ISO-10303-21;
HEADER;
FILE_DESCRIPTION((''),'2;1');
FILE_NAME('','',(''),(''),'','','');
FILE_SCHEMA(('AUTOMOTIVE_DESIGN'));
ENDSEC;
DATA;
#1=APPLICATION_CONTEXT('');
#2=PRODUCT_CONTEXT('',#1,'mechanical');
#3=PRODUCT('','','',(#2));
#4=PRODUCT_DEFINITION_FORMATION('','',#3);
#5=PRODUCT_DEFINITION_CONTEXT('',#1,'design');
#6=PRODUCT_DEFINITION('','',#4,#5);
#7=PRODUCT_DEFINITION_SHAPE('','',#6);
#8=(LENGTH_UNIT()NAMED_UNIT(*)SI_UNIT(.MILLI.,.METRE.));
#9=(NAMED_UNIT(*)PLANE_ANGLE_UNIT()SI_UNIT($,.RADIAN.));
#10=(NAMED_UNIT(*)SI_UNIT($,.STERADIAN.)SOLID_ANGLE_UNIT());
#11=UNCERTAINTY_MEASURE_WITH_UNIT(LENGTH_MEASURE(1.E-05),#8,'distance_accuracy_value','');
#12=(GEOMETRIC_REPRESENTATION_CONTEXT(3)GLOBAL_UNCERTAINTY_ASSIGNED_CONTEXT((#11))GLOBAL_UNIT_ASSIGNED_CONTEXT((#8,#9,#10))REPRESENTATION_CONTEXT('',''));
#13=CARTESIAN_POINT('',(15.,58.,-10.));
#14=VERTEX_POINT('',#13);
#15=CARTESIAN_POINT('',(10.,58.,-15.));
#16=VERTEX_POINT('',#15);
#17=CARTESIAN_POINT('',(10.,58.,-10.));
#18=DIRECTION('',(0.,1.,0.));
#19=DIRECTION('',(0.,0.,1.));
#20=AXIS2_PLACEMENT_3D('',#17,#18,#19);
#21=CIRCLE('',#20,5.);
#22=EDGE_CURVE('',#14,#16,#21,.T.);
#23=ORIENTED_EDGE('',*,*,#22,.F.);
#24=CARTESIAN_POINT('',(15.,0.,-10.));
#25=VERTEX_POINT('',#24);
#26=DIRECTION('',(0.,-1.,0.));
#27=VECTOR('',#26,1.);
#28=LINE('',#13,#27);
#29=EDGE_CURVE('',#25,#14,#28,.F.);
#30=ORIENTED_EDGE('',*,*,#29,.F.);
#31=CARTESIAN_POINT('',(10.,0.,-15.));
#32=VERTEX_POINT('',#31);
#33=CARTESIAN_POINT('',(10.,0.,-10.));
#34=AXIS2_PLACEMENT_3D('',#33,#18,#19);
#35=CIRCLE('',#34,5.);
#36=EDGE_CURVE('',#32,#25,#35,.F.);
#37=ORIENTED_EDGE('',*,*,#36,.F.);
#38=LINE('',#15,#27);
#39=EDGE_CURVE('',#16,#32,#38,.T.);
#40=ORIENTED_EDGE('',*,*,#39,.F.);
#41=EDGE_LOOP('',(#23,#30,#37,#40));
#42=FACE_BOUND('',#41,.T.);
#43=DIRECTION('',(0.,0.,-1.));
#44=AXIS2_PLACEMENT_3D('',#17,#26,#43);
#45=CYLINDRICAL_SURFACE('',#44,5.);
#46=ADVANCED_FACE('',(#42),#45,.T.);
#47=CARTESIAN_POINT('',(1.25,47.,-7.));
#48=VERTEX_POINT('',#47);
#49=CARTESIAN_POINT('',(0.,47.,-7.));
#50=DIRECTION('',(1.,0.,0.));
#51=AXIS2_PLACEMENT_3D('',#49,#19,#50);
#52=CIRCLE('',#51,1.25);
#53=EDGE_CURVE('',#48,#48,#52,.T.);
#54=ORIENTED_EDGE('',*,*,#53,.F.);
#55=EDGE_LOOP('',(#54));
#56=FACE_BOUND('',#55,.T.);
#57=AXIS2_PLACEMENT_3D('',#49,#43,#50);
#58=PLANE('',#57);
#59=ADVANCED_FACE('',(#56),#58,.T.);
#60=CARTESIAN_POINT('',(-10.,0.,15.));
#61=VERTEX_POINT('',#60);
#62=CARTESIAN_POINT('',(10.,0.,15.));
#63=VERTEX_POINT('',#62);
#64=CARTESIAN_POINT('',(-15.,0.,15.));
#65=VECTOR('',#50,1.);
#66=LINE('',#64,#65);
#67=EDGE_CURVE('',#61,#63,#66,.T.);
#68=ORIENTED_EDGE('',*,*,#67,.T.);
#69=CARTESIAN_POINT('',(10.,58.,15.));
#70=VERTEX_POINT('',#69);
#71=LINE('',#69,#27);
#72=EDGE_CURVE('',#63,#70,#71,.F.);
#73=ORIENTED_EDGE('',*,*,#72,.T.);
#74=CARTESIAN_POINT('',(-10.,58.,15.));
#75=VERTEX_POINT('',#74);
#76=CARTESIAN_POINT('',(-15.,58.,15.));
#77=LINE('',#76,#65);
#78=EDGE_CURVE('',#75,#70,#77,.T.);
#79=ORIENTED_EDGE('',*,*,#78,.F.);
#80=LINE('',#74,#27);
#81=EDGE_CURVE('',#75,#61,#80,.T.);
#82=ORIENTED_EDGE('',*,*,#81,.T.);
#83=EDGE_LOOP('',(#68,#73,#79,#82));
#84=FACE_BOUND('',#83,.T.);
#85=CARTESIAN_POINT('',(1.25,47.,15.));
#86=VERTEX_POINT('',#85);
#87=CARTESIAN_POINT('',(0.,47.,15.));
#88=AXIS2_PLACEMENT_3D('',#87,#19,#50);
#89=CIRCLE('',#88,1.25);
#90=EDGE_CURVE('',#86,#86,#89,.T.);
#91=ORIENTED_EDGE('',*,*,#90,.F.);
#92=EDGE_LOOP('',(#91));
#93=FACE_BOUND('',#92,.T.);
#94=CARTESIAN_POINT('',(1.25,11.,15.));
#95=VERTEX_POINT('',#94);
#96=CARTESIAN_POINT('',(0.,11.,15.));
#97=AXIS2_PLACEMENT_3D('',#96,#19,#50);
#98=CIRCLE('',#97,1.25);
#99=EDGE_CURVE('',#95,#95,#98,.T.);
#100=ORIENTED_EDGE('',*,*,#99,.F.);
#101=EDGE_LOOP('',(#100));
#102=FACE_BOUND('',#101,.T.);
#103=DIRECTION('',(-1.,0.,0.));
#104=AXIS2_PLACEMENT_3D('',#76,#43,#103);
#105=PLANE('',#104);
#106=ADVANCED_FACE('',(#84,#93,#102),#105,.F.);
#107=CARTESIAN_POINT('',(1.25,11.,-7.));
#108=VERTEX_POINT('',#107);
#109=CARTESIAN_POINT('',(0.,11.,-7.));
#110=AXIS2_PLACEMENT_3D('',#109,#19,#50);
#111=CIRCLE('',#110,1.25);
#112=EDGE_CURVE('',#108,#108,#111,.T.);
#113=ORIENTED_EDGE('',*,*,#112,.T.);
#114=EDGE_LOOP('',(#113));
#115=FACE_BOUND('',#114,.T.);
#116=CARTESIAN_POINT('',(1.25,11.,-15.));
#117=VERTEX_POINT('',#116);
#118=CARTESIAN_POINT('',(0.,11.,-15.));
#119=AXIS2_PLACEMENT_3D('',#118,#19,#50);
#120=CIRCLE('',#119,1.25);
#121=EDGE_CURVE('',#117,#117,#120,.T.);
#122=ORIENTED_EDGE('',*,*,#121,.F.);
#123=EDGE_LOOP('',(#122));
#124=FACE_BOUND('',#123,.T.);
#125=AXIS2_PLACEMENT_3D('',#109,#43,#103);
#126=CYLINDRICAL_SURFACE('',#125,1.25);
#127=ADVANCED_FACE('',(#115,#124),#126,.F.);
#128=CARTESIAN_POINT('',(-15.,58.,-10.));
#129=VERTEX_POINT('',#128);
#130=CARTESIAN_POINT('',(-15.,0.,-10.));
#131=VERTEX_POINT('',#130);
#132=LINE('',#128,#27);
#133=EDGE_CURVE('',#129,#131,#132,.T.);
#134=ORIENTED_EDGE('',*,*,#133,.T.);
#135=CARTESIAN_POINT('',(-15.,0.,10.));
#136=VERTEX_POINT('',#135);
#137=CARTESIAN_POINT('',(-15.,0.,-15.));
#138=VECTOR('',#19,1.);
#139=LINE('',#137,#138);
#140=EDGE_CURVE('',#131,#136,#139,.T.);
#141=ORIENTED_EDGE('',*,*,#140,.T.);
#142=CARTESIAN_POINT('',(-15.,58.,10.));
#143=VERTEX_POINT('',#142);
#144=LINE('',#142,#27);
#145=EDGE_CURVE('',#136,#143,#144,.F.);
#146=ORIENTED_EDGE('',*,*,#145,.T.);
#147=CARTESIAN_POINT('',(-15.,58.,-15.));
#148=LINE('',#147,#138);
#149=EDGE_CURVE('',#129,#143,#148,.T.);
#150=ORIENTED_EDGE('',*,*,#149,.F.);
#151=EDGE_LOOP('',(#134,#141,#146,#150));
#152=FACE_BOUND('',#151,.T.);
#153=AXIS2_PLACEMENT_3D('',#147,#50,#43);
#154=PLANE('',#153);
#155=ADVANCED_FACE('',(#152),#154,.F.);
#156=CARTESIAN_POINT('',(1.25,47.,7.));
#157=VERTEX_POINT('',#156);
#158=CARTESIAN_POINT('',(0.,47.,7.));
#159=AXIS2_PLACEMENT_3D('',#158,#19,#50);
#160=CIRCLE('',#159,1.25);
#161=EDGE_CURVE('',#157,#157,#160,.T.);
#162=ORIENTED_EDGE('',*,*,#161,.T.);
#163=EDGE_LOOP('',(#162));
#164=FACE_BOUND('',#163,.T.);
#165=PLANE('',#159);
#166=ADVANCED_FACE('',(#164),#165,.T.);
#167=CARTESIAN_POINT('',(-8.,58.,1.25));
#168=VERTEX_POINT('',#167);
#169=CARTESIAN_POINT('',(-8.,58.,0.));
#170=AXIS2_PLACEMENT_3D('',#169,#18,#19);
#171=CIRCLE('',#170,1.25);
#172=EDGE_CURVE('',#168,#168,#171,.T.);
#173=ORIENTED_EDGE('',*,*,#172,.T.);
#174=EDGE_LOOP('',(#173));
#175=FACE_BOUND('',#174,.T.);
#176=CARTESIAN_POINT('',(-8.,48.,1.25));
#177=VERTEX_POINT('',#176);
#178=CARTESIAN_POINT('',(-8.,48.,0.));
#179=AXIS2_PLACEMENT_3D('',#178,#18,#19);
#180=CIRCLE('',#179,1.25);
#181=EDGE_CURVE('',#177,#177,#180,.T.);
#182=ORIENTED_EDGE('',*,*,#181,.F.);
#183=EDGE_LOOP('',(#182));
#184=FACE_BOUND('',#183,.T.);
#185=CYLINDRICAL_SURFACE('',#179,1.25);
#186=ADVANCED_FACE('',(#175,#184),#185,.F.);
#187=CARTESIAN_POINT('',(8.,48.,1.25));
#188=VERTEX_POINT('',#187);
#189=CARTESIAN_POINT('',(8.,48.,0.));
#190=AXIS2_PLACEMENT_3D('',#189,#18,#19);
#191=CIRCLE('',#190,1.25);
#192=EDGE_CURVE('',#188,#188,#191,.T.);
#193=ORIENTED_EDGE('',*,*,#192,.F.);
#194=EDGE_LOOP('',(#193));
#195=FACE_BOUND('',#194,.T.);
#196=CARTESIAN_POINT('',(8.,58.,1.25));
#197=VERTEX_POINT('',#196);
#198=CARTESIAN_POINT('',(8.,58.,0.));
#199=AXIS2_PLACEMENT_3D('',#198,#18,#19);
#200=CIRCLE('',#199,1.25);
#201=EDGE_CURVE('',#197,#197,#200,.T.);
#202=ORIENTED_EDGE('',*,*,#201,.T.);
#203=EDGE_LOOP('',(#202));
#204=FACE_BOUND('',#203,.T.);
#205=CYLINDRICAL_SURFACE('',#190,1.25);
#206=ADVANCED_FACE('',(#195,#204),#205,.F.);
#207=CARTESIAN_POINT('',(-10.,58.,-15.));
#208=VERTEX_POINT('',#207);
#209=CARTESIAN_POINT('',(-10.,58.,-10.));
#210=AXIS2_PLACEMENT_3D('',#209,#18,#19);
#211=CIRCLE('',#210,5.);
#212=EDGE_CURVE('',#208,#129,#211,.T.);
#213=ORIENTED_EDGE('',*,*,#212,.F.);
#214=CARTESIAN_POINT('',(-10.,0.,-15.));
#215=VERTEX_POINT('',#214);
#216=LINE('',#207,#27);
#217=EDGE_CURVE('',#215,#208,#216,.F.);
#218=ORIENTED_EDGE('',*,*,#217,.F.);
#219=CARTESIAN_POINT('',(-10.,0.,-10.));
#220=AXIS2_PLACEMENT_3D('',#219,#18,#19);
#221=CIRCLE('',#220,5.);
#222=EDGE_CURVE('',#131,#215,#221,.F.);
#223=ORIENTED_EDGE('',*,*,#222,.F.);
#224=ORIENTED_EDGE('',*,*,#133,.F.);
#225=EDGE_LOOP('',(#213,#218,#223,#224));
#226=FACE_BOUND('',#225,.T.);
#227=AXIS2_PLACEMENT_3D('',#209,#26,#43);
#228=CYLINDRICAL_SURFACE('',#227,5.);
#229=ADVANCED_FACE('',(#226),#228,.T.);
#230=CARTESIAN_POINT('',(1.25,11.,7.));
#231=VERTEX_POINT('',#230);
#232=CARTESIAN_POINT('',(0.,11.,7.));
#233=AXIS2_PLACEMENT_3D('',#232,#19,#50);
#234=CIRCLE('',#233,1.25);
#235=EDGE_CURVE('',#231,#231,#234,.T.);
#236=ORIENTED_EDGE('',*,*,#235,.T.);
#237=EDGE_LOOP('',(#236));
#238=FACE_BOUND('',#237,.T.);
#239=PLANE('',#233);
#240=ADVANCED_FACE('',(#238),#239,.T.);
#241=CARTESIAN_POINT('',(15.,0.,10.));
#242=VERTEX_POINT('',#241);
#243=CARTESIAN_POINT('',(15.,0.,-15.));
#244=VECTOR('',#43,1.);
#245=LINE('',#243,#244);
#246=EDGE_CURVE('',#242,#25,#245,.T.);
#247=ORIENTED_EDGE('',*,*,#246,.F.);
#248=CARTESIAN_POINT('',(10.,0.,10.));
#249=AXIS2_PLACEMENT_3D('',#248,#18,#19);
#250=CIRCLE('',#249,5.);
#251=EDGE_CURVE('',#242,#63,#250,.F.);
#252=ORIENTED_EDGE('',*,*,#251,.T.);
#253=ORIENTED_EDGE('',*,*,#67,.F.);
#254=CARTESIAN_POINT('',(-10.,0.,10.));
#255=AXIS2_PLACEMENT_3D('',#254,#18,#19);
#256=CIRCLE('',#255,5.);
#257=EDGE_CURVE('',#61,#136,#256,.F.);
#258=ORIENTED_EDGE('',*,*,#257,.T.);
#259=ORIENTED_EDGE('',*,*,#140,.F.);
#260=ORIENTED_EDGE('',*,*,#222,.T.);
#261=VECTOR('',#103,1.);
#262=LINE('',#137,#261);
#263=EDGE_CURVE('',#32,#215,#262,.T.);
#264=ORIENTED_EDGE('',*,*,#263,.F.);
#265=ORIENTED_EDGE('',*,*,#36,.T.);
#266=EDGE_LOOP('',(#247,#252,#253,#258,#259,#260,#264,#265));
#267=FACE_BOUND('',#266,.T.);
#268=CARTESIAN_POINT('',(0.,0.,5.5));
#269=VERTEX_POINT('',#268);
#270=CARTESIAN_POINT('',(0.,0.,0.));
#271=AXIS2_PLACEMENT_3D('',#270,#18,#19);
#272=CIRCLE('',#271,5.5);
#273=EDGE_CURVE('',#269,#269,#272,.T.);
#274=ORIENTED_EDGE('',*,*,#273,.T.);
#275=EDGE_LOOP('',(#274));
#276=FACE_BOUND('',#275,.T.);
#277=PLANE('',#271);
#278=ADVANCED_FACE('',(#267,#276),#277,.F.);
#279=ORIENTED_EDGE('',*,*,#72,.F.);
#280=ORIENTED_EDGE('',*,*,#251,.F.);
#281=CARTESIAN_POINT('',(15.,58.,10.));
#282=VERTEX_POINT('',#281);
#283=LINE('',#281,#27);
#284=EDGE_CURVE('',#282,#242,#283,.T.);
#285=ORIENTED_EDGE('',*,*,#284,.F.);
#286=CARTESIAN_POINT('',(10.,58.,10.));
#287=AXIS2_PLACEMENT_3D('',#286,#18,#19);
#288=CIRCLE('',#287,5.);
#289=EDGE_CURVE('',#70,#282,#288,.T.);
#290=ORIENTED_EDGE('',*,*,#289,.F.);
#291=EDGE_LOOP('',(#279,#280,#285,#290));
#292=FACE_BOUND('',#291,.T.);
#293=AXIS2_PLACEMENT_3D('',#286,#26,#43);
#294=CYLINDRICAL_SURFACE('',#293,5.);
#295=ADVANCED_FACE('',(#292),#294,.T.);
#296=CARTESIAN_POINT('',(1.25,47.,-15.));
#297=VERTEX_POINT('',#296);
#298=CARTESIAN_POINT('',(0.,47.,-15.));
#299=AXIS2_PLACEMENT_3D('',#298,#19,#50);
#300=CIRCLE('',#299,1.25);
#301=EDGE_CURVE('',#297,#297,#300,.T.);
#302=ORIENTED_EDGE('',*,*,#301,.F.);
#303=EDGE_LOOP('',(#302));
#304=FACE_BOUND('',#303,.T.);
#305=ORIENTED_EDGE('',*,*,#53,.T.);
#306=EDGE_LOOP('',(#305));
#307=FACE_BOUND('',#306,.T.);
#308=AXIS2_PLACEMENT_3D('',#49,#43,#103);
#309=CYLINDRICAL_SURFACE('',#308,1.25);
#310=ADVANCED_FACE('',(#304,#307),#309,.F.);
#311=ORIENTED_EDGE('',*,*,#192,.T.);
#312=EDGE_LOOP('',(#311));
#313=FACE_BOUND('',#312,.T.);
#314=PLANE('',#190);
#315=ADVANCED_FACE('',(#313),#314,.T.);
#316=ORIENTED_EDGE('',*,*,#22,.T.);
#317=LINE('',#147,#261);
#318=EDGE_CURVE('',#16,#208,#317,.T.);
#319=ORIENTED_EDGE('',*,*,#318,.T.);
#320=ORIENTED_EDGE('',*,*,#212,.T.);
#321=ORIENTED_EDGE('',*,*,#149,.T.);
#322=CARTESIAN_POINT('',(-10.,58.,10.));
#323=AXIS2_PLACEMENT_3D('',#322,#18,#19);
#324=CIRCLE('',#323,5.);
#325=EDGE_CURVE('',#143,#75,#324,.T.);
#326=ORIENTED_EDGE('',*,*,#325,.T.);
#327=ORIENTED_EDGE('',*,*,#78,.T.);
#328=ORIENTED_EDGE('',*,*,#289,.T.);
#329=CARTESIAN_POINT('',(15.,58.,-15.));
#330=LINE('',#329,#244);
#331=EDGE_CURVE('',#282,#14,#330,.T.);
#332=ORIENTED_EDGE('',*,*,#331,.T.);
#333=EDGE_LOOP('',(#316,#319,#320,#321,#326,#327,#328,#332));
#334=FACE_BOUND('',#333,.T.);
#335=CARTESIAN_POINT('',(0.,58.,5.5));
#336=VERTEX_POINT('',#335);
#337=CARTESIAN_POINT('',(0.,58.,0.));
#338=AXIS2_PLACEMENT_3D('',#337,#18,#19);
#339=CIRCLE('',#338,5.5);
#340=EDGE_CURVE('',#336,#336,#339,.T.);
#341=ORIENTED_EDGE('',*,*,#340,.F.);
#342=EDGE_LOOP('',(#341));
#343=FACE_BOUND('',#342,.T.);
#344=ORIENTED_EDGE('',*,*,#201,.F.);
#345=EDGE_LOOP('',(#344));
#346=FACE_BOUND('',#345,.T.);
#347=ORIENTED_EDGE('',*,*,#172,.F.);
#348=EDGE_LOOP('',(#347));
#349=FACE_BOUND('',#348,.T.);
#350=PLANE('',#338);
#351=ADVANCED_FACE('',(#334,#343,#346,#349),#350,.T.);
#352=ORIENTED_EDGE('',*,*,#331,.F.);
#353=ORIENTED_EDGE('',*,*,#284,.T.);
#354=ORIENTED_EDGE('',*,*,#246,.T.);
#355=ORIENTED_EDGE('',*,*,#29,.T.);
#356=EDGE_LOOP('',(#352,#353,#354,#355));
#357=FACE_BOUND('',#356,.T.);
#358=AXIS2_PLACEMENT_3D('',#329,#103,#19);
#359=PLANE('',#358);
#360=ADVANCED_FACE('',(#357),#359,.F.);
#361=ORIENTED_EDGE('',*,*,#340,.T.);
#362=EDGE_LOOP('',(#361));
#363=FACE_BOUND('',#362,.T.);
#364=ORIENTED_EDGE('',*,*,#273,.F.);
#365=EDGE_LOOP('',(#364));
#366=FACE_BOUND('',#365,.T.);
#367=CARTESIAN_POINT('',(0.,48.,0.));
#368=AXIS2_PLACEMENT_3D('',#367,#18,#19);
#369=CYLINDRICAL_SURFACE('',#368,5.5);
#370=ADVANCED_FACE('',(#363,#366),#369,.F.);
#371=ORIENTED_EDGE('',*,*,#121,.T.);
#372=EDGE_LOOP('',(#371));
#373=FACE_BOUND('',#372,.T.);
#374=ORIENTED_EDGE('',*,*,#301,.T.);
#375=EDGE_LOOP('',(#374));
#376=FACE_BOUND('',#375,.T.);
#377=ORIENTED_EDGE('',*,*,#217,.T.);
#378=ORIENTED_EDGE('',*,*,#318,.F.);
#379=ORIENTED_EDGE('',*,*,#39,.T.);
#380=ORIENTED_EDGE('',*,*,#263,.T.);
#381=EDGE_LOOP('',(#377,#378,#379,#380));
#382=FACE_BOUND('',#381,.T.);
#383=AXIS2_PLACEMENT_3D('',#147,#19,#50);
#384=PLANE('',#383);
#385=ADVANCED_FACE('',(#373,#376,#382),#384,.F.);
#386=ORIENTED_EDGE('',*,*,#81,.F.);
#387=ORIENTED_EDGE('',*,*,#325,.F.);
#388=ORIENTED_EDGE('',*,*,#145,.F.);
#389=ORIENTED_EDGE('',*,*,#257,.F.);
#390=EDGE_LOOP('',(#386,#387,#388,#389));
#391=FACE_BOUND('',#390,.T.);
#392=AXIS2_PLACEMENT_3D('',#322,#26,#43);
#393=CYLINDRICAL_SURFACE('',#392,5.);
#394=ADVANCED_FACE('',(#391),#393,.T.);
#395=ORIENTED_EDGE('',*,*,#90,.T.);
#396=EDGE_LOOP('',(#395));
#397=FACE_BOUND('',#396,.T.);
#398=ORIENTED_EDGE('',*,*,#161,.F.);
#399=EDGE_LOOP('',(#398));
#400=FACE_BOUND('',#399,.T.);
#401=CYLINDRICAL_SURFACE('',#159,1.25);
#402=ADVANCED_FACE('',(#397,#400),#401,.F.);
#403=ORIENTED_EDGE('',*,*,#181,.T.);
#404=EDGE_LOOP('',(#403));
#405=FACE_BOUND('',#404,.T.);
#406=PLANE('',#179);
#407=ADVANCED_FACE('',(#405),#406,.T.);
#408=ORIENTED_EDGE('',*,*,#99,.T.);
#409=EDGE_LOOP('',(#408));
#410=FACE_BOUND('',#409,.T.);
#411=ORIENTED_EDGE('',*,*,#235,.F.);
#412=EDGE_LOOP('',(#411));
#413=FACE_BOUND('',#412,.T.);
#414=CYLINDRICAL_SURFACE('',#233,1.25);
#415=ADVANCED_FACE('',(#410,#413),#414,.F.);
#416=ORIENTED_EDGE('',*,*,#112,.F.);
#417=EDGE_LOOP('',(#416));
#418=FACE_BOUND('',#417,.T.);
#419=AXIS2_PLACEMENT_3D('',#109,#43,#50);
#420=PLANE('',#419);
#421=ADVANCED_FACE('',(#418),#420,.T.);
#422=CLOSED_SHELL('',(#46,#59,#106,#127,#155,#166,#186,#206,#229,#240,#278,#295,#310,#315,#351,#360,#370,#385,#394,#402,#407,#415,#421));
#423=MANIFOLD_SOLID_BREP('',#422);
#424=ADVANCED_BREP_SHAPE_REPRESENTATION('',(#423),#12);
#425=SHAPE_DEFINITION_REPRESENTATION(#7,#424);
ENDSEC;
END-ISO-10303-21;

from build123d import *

# Parameters (mm, degrees)
SKETCH1_W           = 30
SKETCH1_H           = 30
BOSS_EXTRUDE1_DEPTH = 58
SKETCH2_R           = 5.5
SKETCH2_R_2         = 1.25
CUT_EXTRUDE1_DEPTH  = 10
SKETCH3_R           = 5.5
CUT_EXTRUDE2_DEPTH  = 49
SKETCH4_R           = 1.25
CUT_EXTRUDE3_DEPTH  = 8
FILLET1_R           = 5


with BuildPart() as part:
    # Sketch1 → Boss-Extrude1 (new body)
    with BuildSketch(Plane(origin=(0, 0, 0), x_dir=(1, 0, 0), z_dir=(0, 1, 0))):
        Rectangle(SKETCH1_W, SKETCH1_H)
    extrude(amount=BOSS_EXTRUDE1_DEPTH)

    # Sketch2 → Cut-Extrude1 (cut)
    with BuildSketch(Plane(origin=(0, 58, 0), x_dir=(1, 0, 0), z_dir=(0, 1, 0))):
        Circle(SKETCH2_R)
        with Locations((8, 0)):
            Circle(SKETCH2_R_2)
        with Locations((-8, 0)):
            Circle(SKETCH2_R_2)
    extrude(amount=-CUT_EXTRUDE1_DEPTH, mode=Mode.SUBTRACT)

    # Sketch3 → Cut-Extrude2 (cut, through all)
    with BuildSketch(Plane(origin=(0, 48, 0), x_dir=(1, 0, 0), z_dir=(0, 1, 0))):
        Circle(SKETCH3_R)
    extrude(amount=-CUT_EXTRUDE2_DEPTH, mode=Mode.SUBTRACT)

    # Sketch4 → Cut-Extrude3 (cut)
    with BuildSketch(Plane.XY.offset(15)):
        with Locations((0, 47)):
            Circle(SKETCH4_R)
        with Locations((0, 11)):
            Circle(SKETCH4_R)
    cut_extrude3 = extrude(amount=-CUT_EXTRUDE3_DEPTH, mode=Mode.SUBTRACT)

    # Mirror1: Cut-Extrude3 across plane
    add(cut_extrude3.mirror(Plane.XY), mode=Mode.SUBTRACT)

    # Fillet1
    fillet1_edges = [part.edges().sort_by_distance(p)[0] for p in [
        (15, 29, 15),
        (-15, 29, 15),
        (-15, 29, -15),
        (15, 29, -15),
    ]]
    fillet(fillet1_edges, radius=FILLET1_R)


solid = part.part
